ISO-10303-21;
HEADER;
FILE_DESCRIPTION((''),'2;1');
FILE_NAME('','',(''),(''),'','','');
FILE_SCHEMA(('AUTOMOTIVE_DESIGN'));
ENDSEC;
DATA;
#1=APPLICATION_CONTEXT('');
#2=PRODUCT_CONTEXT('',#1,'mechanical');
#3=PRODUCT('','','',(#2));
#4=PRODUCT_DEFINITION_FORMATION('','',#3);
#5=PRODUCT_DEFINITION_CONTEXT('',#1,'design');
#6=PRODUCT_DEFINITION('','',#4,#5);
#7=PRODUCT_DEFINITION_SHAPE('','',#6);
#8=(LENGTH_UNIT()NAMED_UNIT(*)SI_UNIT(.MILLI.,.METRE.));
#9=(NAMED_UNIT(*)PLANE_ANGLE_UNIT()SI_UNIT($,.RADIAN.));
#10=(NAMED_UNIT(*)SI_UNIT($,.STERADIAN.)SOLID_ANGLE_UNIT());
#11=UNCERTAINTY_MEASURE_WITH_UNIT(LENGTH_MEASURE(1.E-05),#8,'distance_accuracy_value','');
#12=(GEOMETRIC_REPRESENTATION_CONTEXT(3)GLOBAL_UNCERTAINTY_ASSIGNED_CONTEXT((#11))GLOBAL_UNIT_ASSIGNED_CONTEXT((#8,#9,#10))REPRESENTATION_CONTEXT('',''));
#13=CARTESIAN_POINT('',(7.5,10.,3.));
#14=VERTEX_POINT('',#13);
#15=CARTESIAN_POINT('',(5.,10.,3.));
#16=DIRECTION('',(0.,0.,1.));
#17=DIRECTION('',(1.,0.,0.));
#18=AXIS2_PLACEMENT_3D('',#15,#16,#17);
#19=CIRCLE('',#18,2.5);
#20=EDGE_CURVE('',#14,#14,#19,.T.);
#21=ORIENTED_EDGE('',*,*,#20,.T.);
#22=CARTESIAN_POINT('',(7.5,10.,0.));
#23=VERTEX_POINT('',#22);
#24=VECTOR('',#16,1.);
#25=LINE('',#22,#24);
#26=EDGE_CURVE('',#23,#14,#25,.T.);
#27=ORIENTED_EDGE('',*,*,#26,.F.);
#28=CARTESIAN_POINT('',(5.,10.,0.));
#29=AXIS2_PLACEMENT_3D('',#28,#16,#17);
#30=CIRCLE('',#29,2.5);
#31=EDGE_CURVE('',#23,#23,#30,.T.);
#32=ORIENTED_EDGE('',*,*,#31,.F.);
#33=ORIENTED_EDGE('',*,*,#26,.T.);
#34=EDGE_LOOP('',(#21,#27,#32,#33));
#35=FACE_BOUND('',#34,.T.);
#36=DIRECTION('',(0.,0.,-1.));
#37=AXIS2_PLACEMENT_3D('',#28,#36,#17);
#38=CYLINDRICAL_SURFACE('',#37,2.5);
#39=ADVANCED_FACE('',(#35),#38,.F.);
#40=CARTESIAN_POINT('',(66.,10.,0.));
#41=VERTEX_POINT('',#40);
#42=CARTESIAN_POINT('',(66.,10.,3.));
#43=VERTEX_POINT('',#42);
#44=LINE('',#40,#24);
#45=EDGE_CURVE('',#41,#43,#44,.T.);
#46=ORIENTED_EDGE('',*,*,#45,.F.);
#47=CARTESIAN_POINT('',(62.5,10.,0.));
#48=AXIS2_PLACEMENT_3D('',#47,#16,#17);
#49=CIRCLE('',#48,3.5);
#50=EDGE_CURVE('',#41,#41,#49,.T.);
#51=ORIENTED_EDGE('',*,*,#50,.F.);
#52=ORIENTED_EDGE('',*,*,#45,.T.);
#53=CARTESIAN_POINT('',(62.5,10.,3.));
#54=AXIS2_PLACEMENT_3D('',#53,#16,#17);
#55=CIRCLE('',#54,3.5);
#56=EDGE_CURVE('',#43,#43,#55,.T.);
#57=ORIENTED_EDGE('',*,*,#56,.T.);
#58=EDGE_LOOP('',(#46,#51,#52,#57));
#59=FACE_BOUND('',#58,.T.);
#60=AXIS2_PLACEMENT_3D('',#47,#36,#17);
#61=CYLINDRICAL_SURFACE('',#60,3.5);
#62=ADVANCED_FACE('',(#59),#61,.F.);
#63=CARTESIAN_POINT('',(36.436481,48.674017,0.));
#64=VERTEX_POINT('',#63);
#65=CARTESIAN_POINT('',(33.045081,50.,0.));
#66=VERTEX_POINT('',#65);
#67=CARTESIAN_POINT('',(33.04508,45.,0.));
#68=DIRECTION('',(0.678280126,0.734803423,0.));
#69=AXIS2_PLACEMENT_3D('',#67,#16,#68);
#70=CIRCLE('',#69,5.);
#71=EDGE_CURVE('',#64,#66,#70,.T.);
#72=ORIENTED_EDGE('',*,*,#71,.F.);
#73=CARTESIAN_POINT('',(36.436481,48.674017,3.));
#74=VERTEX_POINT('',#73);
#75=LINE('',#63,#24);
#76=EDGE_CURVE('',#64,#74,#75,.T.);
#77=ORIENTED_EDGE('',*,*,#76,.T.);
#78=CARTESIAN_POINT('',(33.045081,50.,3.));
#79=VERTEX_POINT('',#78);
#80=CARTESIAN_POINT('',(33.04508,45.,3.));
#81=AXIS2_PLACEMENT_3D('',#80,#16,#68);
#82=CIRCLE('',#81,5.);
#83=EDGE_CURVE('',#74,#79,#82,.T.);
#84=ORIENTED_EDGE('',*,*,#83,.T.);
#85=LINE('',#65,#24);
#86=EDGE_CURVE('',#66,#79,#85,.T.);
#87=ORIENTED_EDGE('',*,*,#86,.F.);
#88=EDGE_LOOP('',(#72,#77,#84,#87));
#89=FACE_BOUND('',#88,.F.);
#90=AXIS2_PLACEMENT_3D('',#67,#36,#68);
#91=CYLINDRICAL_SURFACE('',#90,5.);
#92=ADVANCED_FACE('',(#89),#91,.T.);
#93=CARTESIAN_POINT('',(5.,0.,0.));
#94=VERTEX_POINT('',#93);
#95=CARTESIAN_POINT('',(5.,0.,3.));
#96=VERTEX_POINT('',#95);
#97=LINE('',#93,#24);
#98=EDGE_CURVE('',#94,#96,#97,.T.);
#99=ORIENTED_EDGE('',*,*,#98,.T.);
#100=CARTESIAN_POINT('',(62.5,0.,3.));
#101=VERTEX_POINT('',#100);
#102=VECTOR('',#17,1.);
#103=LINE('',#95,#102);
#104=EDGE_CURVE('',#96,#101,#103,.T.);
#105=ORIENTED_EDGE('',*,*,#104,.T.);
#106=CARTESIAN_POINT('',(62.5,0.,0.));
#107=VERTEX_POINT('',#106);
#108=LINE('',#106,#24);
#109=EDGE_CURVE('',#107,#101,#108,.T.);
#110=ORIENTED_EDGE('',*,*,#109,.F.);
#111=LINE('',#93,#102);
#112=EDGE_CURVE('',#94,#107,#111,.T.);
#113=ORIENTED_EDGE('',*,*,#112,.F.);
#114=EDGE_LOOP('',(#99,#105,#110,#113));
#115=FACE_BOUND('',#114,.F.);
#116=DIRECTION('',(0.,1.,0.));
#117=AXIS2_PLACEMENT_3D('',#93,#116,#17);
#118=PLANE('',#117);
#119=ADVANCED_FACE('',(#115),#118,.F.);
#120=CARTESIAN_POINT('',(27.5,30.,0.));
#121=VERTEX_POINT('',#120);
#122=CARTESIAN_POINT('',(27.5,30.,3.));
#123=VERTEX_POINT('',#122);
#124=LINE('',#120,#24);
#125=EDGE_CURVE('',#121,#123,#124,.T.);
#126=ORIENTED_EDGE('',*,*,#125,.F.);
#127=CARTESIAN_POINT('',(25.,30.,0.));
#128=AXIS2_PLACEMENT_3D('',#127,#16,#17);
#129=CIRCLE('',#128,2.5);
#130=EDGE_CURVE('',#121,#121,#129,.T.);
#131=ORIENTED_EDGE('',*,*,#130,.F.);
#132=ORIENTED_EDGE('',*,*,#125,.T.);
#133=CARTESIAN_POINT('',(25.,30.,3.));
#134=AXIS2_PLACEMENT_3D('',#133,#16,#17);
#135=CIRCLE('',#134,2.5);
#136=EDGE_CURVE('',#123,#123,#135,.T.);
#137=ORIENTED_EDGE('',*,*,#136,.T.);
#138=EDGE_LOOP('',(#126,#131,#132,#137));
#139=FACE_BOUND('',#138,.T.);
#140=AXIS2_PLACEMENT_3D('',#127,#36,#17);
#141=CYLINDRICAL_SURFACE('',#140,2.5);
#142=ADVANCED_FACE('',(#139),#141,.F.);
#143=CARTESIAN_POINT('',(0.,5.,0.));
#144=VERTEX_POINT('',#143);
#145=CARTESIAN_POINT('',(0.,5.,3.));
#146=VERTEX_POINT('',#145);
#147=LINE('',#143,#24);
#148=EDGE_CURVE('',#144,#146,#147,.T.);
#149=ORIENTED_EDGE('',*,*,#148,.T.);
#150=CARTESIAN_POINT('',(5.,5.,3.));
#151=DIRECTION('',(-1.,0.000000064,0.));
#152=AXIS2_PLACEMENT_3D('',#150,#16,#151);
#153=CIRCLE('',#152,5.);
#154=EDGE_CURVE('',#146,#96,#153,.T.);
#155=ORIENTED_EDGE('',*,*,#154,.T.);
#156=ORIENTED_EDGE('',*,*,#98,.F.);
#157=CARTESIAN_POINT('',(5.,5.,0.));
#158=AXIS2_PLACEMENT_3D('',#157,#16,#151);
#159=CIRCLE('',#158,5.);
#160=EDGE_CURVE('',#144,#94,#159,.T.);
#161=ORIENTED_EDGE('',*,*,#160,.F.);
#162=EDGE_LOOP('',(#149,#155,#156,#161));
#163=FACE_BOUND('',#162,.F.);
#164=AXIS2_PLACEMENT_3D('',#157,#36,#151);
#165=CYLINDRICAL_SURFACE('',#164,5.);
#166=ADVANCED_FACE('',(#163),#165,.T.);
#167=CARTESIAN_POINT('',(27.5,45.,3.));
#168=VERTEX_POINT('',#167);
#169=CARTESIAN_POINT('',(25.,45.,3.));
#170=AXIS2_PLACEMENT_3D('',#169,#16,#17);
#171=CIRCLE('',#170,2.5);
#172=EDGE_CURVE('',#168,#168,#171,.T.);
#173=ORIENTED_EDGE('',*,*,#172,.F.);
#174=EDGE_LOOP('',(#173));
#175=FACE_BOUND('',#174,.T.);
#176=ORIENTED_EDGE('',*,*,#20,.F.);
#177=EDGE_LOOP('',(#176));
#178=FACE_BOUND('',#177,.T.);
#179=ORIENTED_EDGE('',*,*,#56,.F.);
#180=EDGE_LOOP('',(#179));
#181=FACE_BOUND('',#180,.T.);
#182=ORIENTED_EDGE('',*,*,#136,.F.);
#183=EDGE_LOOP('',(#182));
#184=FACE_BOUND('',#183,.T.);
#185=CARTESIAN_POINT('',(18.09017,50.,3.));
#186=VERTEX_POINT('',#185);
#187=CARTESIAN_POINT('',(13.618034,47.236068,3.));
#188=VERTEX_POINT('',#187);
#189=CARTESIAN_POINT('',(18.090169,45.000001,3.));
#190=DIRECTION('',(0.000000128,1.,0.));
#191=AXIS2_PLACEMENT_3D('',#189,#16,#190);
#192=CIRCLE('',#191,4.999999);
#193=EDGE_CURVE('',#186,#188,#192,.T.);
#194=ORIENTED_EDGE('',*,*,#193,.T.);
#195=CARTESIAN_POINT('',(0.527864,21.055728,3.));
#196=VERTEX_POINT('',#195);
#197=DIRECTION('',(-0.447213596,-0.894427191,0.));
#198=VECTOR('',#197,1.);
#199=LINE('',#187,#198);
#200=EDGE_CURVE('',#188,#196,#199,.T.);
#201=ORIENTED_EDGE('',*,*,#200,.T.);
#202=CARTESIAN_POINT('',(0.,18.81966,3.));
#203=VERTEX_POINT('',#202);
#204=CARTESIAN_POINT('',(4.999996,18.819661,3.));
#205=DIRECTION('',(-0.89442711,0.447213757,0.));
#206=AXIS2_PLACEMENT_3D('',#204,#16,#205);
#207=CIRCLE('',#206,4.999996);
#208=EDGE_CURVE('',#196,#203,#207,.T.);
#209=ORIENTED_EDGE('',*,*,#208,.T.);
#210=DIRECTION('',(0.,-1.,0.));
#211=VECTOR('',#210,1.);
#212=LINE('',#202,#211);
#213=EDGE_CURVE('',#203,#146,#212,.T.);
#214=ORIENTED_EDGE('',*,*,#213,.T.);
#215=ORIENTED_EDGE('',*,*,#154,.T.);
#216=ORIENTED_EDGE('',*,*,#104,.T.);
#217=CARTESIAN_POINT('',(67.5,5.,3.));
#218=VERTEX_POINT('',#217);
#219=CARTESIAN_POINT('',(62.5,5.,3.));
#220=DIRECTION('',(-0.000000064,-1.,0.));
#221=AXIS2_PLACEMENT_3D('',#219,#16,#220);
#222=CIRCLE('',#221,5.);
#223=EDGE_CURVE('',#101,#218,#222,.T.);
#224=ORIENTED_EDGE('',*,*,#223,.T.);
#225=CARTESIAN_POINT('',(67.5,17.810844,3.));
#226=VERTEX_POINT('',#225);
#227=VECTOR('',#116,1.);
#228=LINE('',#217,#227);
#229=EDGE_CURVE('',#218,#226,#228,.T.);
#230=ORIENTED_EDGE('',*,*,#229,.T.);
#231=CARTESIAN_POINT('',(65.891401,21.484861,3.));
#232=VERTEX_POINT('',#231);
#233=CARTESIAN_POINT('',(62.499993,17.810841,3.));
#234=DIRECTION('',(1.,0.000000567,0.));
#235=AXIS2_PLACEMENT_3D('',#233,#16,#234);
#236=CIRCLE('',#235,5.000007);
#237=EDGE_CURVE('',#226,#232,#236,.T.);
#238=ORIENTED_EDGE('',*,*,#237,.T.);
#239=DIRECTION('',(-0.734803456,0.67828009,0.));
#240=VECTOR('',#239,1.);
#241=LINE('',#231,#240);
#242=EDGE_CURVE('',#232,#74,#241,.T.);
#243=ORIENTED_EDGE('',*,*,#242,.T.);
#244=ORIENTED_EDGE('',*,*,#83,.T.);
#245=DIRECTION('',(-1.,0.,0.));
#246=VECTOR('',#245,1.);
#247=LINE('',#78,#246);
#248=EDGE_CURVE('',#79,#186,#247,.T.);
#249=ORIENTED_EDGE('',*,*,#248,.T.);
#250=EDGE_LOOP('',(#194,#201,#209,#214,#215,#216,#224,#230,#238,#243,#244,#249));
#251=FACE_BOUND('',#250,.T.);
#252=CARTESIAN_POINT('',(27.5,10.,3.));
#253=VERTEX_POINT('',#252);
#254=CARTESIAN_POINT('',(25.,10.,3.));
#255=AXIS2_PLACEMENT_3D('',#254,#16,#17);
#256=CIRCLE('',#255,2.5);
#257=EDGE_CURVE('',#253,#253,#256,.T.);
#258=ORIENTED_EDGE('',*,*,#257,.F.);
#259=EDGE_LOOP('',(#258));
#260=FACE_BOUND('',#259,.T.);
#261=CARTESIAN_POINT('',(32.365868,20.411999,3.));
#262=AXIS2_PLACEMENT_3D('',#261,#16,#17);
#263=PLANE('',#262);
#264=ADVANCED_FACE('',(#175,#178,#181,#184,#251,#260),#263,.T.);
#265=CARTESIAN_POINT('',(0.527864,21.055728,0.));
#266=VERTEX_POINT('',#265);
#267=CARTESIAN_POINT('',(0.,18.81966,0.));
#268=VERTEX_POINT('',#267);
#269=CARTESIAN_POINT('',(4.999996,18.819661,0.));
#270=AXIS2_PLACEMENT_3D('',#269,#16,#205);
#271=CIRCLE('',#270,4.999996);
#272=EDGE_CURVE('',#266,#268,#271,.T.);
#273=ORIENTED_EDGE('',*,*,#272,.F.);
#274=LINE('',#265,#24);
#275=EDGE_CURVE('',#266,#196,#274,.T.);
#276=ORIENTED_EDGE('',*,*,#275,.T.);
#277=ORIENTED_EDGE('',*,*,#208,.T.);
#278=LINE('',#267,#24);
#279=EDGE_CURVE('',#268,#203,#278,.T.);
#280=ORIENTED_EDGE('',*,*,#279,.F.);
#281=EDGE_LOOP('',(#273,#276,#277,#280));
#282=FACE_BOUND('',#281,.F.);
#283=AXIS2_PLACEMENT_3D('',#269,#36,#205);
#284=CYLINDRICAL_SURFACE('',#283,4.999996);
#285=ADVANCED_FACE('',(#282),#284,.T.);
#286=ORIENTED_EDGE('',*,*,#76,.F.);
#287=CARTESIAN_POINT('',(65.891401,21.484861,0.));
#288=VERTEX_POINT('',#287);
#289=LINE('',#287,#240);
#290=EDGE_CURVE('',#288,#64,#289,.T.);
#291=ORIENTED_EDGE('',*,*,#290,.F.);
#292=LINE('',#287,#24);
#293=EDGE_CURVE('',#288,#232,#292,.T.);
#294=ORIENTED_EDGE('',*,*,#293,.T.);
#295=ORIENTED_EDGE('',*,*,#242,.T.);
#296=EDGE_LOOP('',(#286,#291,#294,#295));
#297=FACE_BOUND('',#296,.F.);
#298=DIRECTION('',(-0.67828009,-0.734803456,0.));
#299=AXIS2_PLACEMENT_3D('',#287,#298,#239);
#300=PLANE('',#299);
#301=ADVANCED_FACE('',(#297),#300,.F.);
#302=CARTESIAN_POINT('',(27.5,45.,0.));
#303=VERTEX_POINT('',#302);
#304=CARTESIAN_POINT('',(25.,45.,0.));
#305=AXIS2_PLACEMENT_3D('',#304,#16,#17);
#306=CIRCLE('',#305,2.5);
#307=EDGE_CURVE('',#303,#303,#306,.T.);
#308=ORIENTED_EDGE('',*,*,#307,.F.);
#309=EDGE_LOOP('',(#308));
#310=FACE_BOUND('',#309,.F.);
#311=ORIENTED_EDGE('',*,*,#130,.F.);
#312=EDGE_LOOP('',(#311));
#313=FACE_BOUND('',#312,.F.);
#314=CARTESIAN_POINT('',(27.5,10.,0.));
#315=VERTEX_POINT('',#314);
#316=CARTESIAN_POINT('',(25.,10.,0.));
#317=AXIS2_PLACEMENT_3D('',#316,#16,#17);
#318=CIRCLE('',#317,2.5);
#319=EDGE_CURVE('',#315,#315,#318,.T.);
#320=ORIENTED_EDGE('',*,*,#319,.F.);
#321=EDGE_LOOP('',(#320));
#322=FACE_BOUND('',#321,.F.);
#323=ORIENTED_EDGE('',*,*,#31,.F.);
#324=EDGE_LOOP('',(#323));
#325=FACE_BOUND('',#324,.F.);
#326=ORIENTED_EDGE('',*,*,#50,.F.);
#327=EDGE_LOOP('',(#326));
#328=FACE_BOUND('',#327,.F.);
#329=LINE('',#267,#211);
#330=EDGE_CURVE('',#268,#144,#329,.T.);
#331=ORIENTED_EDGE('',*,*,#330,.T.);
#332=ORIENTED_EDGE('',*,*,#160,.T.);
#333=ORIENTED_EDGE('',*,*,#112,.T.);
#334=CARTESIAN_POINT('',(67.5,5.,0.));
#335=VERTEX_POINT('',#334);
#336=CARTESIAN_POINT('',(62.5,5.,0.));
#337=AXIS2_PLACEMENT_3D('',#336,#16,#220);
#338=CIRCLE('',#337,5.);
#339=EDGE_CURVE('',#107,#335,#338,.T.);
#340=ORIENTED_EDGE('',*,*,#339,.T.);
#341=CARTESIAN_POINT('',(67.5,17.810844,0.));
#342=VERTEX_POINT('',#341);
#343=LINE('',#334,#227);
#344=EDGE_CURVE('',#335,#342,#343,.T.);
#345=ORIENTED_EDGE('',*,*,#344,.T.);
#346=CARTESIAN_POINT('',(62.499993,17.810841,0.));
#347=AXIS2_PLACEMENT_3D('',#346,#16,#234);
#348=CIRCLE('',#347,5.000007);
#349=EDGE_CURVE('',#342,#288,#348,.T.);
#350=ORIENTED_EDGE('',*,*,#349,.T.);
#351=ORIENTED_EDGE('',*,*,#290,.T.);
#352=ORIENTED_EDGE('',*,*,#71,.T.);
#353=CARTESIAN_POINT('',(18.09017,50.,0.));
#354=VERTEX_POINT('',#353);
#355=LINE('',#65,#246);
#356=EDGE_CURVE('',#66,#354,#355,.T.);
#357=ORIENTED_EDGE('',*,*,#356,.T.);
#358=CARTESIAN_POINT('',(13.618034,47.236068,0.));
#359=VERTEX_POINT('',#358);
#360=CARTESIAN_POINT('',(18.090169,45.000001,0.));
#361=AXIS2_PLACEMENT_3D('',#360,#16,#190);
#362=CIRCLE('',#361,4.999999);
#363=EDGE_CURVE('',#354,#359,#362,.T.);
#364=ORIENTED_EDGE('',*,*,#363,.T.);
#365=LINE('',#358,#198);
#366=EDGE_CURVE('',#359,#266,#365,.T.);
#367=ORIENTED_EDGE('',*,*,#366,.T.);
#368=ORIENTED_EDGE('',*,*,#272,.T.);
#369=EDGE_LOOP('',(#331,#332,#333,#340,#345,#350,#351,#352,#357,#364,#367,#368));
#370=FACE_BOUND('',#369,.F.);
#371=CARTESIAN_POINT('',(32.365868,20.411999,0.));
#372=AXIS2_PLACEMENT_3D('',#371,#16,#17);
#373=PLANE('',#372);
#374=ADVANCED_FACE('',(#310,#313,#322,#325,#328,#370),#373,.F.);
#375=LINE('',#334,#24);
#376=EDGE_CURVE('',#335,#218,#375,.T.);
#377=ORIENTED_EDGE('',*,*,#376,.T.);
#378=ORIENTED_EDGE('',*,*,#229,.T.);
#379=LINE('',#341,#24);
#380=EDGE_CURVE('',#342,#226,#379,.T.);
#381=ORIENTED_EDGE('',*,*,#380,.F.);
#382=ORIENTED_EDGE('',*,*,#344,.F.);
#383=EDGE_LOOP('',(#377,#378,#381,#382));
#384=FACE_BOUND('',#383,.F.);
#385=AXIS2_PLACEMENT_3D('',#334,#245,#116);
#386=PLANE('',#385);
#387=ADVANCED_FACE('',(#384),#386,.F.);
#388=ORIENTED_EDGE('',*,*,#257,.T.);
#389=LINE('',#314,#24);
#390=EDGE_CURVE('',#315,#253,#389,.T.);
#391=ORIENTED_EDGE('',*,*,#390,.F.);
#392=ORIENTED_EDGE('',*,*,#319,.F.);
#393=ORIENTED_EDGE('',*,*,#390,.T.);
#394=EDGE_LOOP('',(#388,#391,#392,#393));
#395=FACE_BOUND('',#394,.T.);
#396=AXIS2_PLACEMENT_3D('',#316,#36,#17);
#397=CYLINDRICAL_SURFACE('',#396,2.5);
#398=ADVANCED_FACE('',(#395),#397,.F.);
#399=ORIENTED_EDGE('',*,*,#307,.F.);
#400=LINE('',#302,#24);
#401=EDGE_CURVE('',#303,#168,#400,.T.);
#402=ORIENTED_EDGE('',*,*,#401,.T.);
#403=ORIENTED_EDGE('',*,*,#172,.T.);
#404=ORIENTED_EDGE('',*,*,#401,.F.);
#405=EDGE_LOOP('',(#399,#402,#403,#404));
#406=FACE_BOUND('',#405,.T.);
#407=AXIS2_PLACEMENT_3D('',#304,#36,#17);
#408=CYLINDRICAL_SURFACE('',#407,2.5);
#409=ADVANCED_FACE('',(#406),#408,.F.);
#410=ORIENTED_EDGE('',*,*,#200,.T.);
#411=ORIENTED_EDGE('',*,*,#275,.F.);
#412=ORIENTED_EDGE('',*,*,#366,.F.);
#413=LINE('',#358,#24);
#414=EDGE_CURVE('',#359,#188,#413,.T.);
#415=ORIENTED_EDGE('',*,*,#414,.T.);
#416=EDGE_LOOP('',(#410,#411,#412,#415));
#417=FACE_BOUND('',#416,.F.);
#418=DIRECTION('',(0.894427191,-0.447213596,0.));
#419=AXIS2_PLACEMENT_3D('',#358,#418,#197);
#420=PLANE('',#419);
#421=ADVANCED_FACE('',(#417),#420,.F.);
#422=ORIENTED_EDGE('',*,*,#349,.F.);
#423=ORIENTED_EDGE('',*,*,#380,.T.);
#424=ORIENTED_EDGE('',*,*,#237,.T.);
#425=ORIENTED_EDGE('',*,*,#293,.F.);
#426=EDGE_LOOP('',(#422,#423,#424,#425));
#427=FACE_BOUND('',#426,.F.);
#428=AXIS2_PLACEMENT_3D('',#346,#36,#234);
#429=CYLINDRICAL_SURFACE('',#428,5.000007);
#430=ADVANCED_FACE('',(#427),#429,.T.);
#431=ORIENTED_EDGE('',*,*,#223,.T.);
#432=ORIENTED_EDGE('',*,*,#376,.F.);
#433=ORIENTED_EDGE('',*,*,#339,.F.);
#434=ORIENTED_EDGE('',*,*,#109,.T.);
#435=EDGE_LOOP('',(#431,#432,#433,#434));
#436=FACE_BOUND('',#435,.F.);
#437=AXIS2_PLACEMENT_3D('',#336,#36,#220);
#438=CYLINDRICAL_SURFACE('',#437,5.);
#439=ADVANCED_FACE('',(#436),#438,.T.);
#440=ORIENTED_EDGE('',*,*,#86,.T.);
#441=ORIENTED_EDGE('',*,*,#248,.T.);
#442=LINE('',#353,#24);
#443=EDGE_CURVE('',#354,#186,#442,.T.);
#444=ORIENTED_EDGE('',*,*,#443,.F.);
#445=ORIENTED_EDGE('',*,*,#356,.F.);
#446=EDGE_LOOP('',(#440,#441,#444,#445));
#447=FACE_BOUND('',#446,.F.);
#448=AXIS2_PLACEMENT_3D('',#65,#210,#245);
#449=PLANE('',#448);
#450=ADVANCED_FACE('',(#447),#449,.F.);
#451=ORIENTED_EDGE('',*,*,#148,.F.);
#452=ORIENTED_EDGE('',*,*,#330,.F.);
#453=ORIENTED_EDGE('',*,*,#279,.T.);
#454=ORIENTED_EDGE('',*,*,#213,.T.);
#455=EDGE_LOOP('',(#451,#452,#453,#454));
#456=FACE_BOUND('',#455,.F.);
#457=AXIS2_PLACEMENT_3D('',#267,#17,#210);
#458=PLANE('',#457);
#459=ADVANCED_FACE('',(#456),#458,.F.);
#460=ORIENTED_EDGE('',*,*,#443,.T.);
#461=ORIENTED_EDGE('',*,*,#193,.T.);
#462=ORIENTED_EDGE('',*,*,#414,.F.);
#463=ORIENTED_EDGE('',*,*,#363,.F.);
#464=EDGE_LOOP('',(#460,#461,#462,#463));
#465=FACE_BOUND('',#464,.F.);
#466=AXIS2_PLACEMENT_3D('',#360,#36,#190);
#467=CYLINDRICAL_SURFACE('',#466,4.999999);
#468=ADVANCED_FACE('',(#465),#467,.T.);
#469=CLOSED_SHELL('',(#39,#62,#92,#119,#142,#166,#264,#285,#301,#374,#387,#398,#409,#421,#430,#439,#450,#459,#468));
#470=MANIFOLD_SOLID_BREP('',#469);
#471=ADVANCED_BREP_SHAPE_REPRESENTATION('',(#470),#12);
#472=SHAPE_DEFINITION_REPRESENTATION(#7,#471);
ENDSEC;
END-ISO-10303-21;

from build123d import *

# Parameters (mm, degrees)
F0_R     = 2.5
F0_R_2   = 3.5
F1_DEPTH = 3


with BuildPart() as f1:
    # F0 (on Top) → F1 (new body)
    with BuildSketch(Plane.XY):
        with BuildLine():
            Line((0, 18.81966), (0, 5))
            ThreePointArc((0, 5), (1.464466, 1.464466), (5, 0))
            Line((5, 0), (62.5, 0))
            ThreePointArc((62.5, 0), (66.035534, 1.464466), (67.5, 5))
            Line((67.5, 5), (67.5, 17.810844))
            ThreePointArc((67.5, 17.810844), (67.080229, 19.816211), (65.891401, 21.484861))
            Line((65.891401, 21.484861), (36.436481, 48.674017))
            ThreePointArc((36.436481, 48.674017), (34.865783, 49.65672), (33.045081, 50))
            Line((33.045081, 50), (18.09017, 50))
            ThreePointArc((18.09017, 50), (15.461514, 49.253254), (13.618034, 47.236068))
            Line((13.618034, 47.236068), (0.527864, 21.055728))
            ThreePointArc((0.527864, 21.055728), (0.133755, 19.968425), (0, 18.81966))
        make_face()
        with Locations((5, 10)):
            Circle(F0_R, mode=Mode.SUBTRACT)
        with Locations((25, 10)):
            Circle(F0_R, mode=Mode.SUBTRACT)
        with Locations((62.5, 10)):
            Circle(F0_R_2, mode=Mode.SUBTRACT)
        with Locations((25, 30)):
            Circle(F0_R, mode=Mode.SUBTRACT)
        with Locations((25, 45)):
            Circle(F0_R, mode=Mode.SUBTRACT)
    extrude(amount=F1_DEPTH)


solid = f1.part
